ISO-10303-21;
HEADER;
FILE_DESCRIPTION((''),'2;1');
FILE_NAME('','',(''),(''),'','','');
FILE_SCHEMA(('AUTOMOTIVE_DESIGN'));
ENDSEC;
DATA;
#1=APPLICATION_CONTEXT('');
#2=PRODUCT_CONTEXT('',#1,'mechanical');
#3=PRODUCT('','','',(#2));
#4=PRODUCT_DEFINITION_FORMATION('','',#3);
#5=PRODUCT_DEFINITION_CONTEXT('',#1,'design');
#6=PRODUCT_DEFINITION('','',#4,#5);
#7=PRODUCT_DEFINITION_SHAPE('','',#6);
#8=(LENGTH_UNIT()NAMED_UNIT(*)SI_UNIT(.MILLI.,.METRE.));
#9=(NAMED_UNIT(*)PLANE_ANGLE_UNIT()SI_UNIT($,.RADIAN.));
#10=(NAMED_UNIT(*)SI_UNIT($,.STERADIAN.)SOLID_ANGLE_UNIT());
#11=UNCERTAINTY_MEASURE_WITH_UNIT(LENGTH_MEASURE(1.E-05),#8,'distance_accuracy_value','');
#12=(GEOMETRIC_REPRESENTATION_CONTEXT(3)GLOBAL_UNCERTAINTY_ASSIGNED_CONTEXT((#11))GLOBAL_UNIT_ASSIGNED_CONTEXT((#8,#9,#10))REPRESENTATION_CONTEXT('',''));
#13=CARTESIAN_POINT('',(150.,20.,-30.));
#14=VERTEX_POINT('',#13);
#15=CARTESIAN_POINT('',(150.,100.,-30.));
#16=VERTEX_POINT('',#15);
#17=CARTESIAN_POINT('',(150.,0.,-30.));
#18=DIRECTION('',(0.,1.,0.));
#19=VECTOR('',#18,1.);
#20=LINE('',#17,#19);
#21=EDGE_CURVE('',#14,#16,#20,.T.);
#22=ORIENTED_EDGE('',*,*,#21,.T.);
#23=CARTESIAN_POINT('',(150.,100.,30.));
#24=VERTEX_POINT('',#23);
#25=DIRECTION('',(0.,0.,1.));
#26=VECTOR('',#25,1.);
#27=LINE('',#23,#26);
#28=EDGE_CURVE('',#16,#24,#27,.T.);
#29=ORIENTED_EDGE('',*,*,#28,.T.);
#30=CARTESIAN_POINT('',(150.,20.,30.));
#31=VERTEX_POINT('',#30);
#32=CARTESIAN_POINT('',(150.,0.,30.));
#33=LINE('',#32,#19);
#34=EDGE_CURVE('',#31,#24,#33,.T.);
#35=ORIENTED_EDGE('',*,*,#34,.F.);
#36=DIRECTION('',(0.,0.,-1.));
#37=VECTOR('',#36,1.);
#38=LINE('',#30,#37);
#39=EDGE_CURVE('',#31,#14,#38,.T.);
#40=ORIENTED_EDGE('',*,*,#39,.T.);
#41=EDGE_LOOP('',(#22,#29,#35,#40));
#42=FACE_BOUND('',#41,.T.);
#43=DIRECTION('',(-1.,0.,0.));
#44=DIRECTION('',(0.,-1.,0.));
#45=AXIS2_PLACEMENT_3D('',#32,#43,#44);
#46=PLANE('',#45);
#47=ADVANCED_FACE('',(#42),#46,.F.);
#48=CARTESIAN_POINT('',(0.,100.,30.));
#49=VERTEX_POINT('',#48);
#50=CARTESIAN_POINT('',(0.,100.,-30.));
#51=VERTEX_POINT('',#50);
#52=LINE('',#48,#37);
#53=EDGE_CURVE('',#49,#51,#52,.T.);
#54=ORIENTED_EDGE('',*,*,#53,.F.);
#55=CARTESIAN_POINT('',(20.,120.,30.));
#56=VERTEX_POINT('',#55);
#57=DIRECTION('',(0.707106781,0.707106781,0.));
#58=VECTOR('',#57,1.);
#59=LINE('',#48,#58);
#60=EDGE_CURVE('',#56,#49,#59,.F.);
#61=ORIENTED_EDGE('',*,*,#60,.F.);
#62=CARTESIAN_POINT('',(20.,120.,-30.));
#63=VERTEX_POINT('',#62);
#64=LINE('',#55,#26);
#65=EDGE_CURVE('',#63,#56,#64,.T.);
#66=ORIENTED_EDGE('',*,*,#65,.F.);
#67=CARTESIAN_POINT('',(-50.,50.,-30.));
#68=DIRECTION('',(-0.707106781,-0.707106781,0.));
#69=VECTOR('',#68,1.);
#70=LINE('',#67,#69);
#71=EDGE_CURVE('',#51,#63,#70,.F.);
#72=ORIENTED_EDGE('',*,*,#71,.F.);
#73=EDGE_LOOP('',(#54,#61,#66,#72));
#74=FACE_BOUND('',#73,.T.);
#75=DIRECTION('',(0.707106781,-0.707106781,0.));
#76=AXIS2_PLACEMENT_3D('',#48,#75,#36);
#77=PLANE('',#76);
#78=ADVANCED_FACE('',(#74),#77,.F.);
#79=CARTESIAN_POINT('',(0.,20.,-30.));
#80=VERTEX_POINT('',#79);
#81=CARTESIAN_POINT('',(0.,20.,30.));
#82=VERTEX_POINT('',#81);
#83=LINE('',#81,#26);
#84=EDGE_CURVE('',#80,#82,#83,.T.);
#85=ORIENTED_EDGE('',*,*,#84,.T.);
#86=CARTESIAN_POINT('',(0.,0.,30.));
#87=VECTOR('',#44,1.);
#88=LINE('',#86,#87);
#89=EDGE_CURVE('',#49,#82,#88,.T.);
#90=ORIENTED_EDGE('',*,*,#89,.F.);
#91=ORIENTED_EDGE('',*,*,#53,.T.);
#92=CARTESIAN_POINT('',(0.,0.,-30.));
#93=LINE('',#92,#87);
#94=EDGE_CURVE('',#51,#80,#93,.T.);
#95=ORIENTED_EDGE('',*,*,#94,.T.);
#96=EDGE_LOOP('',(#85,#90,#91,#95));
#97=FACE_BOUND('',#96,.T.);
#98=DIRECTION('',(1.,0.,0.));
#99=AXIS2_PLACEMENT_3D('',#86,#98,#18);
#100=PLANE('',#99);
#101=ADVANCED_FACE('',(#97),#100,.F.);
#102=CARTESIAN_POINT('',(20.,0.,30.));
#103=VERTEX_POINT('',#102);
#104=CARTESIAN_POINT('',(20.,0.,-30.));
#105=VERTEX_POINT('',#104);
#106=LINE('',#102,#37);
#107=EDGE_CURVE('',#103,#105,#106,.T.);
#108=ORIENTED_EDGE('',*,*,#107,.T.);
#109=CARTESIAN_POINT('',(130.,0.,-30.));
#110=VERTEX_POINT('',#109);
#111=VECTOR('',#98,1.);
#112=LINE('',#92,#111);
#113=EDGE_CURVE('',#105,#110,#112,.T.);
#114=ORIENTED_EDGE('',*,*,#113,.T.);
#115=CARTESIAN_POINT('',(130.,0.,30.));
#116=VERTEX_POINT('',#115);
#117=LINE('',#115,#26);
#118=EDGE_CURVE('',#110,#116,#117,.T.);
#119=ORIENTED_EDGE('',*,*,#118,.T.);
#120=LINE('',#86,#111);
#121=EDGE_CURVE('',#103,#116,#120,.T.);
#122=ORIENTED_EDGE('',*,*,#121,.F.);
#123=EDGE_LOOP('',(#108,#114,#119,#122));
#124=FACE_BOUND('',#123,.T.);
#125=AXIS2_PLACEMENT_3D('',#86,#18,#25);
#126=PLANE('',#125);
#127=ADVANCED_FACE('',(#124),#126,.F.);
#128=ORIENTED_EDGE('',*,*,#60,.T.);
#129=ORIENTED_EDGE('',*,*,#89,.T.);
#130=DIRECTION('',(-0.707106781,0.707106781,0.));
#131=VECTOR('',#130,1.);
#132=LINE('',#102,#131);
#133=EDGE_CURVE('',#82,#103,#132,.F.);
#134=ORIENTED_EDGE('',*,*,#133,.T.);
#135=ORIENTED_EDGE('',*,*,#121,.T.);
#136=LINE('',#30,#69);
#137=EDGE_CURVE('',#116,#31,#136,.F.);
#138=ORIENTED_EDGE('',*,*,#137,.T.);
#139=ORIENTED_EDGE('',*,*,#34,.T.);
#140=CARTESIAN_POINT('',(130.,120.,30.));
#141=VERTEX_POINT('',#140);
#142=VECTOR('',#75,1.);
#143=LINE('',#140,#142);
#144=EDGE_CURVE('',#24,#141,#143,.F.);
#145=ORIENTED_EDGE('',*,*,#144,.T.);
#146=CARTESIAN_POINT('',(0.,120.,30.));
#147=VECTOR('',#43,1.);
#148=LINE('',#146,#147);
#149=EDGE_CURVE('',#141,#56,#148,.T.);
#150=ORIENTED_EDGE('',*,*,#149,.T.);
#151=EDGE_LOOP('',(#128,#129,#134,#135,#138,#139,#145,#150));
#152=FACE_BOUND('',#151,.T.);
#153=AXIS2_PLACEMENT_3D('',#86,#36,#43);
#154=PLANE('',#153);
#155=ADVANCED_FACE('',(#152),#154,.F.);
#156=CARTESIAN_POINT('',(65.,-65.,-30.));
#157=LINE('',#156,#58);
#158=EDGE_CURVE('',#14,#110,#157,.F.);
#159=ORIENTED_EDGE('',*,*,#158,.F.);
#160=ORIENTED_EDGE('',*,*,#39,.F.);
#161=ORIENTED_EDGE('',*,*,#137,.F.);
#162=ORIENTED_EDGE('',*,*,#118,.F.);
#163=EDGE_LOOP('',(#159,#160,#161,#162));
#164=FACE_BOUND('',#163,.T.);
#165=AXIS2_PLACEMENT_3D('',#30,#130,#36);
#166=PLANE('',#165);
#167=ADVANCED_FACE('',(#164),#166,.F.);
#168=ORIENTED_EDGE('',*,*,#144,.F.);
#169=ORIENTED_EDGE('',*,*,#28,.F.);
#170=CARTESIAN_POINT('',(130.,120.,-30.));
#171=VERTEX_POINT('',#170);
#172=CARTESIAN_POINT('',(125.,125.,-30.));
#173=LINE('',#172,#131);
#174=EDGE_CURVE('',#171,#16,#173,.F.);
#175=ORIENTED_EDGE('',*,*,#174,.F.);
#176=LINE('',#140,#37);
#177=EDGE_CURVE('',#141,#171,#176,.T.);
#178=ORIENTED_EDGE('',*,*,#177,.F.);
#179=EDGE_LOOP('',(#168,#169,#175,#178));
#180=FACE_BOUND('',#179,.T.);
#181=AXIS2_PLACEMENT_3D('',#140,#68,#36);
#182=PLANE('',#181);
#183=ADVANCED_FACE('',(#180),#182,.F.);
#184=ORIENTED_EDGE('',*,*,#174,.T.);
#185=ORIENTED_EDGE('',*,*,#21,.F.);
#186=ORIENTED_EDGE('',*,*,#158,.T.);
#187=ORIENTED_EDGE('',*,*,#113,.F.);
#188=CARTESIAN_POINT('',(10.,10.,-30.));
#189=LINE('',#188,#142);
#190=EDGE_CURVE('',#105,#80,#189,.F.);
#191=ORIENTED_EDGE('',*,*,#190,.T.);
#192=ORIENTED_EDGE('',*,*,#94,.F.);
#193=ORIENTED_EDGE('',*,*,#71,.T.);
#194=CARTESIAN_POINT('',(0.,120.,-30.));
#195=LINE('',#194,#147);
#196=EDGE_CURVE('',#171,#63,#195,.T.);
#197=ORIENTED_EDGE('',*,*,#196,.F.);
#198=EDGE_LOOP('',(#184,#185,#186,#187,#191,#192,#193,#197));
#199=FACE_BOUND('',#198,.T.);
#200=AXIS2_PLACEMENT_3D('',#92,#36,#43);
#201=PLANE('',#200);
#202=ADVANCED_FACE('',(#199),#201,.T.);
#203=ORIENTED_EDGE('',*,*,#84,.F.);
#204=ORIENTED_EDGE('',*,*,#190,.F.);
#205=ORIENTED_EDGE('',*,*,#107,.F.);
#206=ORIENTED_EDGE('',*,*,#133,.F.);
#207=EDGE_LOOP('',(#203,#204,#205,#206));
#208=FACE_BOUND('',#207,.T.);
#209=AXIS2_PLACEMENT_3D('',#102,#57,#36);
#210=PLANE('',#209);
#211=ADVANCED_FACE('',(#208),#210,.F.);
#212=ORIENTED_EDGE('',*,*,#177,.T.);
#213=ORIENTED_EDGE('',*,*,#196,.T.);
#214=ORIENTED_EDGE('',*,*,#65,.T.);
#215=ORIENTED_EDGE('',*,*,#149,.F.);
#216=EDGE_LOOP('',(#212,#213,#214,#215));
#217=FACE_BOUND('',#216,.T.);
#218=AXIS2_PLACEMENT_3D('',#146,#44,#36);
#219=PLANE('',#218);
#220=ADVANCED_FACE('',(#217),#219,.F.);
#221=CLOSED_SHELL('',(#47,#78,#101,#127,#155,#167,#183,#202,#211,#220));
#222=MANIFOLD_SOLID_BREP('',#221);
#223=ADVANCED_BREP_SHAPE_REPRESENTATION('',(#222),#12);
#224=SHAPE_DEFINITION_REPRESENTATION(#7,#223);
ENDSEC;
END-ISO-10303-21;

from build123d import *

# Parameters (mm, degrees)
SKETCH1_W           = 150
SKETCH1_H           = 120
BOSS_EXTRUDE1_DEPTH = 30
CHAMFER1_SIZE       = 20


with BuildPart() as part:
    # Sketch1 → Boss-Extrude1 (new body, symmetric)
    with BuildSketch(Plane.XY):
        with Locations((75, 60)):
            Rectangle(SKETCH1_W, SKETCH1_H)
    extrude(amount=BOSS_EXTRUDE1_DEPTH, both=True)

    # Chamfer1
    chamfer1_edges = [part.edges().sort_by_distance(p)[0] for p in [
        (0, 120, 0),
        (150, 120, 0),
        (150, 0, 0),
        (0, 0, 0),
    ]]
    chamfer(chamfer1_edges, length=CHAMFER1_SIZE)


solid = part.part
